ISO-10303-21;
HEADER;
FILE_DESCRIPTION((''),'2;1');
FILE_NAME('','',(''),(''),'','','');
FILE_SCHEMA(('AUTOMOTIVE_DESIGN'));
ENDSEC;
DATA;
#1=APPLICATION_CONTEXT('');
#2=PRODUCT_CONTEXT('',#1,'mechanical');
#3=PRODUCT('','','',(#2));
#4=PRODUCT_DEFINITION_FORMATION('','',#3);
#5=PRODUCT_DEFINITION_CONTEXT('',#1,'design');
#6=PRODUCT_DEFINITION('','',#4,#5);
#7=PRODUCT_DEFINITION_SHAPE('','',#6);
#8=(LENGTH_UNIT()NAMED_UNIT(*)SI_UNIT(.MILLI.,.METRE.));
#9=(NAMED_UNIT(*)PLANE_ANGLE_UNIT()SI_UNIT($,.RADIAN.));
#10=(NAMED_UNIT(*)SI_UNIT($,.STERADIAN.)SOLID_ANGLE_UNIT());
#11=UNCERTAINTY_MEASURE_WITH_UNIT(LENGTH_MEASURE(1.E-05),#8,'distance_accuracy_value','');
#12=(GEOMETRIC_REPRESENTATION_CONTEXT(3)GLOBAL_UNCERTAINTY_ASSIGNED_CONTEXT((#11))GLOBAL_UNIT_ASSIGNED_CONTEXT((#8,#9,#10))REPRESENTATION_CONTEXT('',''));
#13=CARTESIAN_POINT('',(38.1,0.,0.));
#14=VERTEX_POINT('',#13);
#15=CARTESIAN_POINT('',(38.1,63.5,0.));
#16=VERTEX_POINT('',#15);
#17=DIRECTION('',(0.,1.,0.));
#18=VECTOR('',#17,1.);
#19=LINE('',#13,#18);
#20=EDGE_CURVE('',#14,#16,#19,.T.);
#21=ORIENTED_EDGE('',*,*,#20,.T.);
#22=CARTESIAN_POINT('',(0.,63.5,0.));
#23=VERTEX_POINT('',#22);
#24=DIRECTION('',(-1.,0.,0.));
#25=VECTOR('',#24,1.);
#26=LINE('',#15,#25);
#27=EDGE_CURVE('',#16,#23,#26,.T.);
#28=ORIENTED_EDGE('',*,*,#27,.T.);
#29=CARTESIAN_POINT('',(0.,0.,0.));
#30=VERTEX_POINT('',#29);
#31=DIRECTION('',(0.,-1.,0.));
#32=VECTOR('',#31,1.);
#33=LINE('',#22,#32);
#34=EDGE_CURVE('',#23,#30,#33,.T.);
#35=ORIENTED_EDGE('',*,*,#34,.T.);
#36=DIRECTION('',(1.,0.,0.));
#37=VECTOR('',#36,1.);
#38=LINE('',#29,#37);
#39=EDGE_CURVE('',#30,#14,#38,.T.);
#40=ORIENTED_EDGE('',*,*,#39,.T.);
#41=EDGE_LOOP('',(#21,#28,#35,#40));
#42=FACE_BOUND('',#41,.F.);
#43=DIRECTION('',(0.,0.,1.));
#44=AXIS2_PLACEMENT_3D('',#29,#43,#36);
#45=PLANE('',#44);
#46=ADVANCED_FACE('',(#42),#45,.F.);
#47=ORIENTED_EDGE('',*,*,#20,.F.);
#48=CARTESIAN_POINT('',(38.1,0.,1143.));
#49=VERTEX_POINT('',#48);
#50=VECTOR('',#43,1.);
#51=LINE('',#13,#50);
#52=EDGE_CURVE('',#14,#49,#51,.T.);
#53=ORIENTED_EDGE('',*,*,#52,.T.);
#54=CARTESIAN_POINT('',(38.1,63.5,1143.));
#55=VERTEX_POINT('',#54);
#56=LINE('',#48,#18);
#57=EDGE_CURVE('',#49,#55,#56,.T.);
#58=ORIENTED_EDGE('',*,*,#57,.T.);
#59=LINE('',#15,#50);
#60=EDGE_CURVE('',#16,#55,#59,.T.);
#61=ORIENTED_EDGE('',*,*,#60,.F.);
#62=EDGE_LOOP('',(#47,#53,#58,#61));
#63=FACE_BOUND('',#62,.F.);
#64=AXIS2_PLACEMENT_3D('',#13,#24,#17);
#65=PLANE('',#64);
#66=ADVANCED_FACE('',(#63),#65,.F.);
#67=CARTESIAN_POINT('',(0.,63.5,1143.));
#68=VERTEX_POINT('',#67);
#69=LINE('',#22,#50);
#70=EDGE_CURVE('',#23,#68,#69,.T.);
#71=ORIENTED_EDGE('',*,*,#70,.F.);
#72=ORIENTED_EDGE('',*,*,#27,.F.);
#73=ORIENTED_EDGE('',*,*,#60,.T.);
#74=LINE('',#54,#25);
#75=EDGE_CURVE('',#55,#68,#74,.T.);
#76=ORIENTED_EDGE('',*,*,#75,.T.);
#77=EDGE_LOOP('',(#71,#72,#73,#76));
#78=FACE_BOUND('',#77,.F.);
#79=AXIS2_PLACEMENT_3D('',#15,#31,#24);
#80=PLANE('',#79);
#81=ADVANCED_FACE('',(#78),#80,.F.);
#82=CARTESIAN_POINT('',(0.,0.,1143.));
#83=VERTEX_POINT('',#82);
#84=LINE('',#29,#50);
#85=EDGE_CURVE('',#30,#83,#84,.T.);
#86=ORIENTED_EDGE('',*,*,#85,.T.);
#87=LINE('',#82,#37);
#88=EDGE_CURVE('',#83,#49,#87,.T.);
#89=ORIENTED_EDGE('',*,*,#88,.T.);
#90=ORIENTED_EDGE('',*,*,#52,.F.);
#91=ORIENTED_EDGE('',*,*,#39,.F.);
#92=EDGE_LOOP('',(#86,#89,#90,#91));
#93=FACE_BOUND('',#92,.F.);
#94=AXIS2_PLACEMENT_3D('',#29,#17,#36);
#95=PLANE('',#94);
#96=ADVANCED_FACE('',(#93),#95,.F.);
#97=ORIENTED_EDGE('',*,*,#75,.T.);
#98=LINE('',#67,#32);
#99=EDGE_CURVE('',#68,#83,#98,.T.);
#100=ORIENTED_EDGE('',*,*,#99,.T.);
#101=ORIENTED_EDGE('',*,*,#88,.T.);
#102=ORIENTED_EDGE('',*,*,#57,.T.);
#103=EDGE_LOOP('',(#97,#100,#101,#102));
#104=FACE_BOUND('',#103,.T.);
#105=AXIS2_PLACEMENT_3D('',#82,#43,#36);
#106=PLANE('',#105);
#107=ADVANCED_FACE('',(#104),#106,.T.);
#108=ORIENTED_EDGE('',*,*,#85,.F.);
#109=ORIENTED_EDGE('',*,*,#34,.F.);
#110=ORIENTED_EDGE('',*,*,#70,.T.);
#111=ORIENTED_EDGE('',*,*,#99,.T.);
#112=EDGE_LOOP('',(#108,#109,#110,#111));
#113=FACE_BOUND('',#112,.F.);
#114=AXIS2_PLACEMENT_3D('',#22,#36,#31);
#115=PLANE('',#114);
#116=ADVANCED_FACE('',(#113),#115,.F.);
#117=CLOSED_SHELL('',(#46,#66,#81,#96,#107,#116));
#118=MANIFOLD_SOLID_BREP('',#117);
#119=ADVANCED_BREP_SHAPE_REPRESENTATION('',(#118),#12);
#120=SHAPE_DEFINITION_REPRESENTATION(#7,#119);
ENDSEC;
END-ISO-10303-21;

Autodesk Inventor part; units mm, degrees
ref_plane "YZ Plane" through (0, 0, 0) normal (1, 0, 0) x (0, 1, 0)
ref_plane "XZ Plane" through (0, 0, 0) normal (0, 1, 0) x (-1, 0, 0)
ref_plane "XY Plane" through (0, 0, 0) normal (0, 0, 1) x (1, 0, 0)
sketch "Sketch2" plane through (0, 0, 0) normal (0, 0, 1) x (1, 0, 0)
  line L0 (0, 0) -> (38.1, 0)
  line L1 (38.1, 0) -> (38.1, 63.5)
  line L2 (38.1, 63.5) -> (0, 63.5)
  line L3 (0, 63.5) -> (0, 0)
  dimension "d2" = 38.1
  dimension "d3" = 63.5
extrude "Extrusion1" add sketch "Sketch2" along normal blind 1143
properties part number "Table Frame Back" material "Wood (Birch)"
